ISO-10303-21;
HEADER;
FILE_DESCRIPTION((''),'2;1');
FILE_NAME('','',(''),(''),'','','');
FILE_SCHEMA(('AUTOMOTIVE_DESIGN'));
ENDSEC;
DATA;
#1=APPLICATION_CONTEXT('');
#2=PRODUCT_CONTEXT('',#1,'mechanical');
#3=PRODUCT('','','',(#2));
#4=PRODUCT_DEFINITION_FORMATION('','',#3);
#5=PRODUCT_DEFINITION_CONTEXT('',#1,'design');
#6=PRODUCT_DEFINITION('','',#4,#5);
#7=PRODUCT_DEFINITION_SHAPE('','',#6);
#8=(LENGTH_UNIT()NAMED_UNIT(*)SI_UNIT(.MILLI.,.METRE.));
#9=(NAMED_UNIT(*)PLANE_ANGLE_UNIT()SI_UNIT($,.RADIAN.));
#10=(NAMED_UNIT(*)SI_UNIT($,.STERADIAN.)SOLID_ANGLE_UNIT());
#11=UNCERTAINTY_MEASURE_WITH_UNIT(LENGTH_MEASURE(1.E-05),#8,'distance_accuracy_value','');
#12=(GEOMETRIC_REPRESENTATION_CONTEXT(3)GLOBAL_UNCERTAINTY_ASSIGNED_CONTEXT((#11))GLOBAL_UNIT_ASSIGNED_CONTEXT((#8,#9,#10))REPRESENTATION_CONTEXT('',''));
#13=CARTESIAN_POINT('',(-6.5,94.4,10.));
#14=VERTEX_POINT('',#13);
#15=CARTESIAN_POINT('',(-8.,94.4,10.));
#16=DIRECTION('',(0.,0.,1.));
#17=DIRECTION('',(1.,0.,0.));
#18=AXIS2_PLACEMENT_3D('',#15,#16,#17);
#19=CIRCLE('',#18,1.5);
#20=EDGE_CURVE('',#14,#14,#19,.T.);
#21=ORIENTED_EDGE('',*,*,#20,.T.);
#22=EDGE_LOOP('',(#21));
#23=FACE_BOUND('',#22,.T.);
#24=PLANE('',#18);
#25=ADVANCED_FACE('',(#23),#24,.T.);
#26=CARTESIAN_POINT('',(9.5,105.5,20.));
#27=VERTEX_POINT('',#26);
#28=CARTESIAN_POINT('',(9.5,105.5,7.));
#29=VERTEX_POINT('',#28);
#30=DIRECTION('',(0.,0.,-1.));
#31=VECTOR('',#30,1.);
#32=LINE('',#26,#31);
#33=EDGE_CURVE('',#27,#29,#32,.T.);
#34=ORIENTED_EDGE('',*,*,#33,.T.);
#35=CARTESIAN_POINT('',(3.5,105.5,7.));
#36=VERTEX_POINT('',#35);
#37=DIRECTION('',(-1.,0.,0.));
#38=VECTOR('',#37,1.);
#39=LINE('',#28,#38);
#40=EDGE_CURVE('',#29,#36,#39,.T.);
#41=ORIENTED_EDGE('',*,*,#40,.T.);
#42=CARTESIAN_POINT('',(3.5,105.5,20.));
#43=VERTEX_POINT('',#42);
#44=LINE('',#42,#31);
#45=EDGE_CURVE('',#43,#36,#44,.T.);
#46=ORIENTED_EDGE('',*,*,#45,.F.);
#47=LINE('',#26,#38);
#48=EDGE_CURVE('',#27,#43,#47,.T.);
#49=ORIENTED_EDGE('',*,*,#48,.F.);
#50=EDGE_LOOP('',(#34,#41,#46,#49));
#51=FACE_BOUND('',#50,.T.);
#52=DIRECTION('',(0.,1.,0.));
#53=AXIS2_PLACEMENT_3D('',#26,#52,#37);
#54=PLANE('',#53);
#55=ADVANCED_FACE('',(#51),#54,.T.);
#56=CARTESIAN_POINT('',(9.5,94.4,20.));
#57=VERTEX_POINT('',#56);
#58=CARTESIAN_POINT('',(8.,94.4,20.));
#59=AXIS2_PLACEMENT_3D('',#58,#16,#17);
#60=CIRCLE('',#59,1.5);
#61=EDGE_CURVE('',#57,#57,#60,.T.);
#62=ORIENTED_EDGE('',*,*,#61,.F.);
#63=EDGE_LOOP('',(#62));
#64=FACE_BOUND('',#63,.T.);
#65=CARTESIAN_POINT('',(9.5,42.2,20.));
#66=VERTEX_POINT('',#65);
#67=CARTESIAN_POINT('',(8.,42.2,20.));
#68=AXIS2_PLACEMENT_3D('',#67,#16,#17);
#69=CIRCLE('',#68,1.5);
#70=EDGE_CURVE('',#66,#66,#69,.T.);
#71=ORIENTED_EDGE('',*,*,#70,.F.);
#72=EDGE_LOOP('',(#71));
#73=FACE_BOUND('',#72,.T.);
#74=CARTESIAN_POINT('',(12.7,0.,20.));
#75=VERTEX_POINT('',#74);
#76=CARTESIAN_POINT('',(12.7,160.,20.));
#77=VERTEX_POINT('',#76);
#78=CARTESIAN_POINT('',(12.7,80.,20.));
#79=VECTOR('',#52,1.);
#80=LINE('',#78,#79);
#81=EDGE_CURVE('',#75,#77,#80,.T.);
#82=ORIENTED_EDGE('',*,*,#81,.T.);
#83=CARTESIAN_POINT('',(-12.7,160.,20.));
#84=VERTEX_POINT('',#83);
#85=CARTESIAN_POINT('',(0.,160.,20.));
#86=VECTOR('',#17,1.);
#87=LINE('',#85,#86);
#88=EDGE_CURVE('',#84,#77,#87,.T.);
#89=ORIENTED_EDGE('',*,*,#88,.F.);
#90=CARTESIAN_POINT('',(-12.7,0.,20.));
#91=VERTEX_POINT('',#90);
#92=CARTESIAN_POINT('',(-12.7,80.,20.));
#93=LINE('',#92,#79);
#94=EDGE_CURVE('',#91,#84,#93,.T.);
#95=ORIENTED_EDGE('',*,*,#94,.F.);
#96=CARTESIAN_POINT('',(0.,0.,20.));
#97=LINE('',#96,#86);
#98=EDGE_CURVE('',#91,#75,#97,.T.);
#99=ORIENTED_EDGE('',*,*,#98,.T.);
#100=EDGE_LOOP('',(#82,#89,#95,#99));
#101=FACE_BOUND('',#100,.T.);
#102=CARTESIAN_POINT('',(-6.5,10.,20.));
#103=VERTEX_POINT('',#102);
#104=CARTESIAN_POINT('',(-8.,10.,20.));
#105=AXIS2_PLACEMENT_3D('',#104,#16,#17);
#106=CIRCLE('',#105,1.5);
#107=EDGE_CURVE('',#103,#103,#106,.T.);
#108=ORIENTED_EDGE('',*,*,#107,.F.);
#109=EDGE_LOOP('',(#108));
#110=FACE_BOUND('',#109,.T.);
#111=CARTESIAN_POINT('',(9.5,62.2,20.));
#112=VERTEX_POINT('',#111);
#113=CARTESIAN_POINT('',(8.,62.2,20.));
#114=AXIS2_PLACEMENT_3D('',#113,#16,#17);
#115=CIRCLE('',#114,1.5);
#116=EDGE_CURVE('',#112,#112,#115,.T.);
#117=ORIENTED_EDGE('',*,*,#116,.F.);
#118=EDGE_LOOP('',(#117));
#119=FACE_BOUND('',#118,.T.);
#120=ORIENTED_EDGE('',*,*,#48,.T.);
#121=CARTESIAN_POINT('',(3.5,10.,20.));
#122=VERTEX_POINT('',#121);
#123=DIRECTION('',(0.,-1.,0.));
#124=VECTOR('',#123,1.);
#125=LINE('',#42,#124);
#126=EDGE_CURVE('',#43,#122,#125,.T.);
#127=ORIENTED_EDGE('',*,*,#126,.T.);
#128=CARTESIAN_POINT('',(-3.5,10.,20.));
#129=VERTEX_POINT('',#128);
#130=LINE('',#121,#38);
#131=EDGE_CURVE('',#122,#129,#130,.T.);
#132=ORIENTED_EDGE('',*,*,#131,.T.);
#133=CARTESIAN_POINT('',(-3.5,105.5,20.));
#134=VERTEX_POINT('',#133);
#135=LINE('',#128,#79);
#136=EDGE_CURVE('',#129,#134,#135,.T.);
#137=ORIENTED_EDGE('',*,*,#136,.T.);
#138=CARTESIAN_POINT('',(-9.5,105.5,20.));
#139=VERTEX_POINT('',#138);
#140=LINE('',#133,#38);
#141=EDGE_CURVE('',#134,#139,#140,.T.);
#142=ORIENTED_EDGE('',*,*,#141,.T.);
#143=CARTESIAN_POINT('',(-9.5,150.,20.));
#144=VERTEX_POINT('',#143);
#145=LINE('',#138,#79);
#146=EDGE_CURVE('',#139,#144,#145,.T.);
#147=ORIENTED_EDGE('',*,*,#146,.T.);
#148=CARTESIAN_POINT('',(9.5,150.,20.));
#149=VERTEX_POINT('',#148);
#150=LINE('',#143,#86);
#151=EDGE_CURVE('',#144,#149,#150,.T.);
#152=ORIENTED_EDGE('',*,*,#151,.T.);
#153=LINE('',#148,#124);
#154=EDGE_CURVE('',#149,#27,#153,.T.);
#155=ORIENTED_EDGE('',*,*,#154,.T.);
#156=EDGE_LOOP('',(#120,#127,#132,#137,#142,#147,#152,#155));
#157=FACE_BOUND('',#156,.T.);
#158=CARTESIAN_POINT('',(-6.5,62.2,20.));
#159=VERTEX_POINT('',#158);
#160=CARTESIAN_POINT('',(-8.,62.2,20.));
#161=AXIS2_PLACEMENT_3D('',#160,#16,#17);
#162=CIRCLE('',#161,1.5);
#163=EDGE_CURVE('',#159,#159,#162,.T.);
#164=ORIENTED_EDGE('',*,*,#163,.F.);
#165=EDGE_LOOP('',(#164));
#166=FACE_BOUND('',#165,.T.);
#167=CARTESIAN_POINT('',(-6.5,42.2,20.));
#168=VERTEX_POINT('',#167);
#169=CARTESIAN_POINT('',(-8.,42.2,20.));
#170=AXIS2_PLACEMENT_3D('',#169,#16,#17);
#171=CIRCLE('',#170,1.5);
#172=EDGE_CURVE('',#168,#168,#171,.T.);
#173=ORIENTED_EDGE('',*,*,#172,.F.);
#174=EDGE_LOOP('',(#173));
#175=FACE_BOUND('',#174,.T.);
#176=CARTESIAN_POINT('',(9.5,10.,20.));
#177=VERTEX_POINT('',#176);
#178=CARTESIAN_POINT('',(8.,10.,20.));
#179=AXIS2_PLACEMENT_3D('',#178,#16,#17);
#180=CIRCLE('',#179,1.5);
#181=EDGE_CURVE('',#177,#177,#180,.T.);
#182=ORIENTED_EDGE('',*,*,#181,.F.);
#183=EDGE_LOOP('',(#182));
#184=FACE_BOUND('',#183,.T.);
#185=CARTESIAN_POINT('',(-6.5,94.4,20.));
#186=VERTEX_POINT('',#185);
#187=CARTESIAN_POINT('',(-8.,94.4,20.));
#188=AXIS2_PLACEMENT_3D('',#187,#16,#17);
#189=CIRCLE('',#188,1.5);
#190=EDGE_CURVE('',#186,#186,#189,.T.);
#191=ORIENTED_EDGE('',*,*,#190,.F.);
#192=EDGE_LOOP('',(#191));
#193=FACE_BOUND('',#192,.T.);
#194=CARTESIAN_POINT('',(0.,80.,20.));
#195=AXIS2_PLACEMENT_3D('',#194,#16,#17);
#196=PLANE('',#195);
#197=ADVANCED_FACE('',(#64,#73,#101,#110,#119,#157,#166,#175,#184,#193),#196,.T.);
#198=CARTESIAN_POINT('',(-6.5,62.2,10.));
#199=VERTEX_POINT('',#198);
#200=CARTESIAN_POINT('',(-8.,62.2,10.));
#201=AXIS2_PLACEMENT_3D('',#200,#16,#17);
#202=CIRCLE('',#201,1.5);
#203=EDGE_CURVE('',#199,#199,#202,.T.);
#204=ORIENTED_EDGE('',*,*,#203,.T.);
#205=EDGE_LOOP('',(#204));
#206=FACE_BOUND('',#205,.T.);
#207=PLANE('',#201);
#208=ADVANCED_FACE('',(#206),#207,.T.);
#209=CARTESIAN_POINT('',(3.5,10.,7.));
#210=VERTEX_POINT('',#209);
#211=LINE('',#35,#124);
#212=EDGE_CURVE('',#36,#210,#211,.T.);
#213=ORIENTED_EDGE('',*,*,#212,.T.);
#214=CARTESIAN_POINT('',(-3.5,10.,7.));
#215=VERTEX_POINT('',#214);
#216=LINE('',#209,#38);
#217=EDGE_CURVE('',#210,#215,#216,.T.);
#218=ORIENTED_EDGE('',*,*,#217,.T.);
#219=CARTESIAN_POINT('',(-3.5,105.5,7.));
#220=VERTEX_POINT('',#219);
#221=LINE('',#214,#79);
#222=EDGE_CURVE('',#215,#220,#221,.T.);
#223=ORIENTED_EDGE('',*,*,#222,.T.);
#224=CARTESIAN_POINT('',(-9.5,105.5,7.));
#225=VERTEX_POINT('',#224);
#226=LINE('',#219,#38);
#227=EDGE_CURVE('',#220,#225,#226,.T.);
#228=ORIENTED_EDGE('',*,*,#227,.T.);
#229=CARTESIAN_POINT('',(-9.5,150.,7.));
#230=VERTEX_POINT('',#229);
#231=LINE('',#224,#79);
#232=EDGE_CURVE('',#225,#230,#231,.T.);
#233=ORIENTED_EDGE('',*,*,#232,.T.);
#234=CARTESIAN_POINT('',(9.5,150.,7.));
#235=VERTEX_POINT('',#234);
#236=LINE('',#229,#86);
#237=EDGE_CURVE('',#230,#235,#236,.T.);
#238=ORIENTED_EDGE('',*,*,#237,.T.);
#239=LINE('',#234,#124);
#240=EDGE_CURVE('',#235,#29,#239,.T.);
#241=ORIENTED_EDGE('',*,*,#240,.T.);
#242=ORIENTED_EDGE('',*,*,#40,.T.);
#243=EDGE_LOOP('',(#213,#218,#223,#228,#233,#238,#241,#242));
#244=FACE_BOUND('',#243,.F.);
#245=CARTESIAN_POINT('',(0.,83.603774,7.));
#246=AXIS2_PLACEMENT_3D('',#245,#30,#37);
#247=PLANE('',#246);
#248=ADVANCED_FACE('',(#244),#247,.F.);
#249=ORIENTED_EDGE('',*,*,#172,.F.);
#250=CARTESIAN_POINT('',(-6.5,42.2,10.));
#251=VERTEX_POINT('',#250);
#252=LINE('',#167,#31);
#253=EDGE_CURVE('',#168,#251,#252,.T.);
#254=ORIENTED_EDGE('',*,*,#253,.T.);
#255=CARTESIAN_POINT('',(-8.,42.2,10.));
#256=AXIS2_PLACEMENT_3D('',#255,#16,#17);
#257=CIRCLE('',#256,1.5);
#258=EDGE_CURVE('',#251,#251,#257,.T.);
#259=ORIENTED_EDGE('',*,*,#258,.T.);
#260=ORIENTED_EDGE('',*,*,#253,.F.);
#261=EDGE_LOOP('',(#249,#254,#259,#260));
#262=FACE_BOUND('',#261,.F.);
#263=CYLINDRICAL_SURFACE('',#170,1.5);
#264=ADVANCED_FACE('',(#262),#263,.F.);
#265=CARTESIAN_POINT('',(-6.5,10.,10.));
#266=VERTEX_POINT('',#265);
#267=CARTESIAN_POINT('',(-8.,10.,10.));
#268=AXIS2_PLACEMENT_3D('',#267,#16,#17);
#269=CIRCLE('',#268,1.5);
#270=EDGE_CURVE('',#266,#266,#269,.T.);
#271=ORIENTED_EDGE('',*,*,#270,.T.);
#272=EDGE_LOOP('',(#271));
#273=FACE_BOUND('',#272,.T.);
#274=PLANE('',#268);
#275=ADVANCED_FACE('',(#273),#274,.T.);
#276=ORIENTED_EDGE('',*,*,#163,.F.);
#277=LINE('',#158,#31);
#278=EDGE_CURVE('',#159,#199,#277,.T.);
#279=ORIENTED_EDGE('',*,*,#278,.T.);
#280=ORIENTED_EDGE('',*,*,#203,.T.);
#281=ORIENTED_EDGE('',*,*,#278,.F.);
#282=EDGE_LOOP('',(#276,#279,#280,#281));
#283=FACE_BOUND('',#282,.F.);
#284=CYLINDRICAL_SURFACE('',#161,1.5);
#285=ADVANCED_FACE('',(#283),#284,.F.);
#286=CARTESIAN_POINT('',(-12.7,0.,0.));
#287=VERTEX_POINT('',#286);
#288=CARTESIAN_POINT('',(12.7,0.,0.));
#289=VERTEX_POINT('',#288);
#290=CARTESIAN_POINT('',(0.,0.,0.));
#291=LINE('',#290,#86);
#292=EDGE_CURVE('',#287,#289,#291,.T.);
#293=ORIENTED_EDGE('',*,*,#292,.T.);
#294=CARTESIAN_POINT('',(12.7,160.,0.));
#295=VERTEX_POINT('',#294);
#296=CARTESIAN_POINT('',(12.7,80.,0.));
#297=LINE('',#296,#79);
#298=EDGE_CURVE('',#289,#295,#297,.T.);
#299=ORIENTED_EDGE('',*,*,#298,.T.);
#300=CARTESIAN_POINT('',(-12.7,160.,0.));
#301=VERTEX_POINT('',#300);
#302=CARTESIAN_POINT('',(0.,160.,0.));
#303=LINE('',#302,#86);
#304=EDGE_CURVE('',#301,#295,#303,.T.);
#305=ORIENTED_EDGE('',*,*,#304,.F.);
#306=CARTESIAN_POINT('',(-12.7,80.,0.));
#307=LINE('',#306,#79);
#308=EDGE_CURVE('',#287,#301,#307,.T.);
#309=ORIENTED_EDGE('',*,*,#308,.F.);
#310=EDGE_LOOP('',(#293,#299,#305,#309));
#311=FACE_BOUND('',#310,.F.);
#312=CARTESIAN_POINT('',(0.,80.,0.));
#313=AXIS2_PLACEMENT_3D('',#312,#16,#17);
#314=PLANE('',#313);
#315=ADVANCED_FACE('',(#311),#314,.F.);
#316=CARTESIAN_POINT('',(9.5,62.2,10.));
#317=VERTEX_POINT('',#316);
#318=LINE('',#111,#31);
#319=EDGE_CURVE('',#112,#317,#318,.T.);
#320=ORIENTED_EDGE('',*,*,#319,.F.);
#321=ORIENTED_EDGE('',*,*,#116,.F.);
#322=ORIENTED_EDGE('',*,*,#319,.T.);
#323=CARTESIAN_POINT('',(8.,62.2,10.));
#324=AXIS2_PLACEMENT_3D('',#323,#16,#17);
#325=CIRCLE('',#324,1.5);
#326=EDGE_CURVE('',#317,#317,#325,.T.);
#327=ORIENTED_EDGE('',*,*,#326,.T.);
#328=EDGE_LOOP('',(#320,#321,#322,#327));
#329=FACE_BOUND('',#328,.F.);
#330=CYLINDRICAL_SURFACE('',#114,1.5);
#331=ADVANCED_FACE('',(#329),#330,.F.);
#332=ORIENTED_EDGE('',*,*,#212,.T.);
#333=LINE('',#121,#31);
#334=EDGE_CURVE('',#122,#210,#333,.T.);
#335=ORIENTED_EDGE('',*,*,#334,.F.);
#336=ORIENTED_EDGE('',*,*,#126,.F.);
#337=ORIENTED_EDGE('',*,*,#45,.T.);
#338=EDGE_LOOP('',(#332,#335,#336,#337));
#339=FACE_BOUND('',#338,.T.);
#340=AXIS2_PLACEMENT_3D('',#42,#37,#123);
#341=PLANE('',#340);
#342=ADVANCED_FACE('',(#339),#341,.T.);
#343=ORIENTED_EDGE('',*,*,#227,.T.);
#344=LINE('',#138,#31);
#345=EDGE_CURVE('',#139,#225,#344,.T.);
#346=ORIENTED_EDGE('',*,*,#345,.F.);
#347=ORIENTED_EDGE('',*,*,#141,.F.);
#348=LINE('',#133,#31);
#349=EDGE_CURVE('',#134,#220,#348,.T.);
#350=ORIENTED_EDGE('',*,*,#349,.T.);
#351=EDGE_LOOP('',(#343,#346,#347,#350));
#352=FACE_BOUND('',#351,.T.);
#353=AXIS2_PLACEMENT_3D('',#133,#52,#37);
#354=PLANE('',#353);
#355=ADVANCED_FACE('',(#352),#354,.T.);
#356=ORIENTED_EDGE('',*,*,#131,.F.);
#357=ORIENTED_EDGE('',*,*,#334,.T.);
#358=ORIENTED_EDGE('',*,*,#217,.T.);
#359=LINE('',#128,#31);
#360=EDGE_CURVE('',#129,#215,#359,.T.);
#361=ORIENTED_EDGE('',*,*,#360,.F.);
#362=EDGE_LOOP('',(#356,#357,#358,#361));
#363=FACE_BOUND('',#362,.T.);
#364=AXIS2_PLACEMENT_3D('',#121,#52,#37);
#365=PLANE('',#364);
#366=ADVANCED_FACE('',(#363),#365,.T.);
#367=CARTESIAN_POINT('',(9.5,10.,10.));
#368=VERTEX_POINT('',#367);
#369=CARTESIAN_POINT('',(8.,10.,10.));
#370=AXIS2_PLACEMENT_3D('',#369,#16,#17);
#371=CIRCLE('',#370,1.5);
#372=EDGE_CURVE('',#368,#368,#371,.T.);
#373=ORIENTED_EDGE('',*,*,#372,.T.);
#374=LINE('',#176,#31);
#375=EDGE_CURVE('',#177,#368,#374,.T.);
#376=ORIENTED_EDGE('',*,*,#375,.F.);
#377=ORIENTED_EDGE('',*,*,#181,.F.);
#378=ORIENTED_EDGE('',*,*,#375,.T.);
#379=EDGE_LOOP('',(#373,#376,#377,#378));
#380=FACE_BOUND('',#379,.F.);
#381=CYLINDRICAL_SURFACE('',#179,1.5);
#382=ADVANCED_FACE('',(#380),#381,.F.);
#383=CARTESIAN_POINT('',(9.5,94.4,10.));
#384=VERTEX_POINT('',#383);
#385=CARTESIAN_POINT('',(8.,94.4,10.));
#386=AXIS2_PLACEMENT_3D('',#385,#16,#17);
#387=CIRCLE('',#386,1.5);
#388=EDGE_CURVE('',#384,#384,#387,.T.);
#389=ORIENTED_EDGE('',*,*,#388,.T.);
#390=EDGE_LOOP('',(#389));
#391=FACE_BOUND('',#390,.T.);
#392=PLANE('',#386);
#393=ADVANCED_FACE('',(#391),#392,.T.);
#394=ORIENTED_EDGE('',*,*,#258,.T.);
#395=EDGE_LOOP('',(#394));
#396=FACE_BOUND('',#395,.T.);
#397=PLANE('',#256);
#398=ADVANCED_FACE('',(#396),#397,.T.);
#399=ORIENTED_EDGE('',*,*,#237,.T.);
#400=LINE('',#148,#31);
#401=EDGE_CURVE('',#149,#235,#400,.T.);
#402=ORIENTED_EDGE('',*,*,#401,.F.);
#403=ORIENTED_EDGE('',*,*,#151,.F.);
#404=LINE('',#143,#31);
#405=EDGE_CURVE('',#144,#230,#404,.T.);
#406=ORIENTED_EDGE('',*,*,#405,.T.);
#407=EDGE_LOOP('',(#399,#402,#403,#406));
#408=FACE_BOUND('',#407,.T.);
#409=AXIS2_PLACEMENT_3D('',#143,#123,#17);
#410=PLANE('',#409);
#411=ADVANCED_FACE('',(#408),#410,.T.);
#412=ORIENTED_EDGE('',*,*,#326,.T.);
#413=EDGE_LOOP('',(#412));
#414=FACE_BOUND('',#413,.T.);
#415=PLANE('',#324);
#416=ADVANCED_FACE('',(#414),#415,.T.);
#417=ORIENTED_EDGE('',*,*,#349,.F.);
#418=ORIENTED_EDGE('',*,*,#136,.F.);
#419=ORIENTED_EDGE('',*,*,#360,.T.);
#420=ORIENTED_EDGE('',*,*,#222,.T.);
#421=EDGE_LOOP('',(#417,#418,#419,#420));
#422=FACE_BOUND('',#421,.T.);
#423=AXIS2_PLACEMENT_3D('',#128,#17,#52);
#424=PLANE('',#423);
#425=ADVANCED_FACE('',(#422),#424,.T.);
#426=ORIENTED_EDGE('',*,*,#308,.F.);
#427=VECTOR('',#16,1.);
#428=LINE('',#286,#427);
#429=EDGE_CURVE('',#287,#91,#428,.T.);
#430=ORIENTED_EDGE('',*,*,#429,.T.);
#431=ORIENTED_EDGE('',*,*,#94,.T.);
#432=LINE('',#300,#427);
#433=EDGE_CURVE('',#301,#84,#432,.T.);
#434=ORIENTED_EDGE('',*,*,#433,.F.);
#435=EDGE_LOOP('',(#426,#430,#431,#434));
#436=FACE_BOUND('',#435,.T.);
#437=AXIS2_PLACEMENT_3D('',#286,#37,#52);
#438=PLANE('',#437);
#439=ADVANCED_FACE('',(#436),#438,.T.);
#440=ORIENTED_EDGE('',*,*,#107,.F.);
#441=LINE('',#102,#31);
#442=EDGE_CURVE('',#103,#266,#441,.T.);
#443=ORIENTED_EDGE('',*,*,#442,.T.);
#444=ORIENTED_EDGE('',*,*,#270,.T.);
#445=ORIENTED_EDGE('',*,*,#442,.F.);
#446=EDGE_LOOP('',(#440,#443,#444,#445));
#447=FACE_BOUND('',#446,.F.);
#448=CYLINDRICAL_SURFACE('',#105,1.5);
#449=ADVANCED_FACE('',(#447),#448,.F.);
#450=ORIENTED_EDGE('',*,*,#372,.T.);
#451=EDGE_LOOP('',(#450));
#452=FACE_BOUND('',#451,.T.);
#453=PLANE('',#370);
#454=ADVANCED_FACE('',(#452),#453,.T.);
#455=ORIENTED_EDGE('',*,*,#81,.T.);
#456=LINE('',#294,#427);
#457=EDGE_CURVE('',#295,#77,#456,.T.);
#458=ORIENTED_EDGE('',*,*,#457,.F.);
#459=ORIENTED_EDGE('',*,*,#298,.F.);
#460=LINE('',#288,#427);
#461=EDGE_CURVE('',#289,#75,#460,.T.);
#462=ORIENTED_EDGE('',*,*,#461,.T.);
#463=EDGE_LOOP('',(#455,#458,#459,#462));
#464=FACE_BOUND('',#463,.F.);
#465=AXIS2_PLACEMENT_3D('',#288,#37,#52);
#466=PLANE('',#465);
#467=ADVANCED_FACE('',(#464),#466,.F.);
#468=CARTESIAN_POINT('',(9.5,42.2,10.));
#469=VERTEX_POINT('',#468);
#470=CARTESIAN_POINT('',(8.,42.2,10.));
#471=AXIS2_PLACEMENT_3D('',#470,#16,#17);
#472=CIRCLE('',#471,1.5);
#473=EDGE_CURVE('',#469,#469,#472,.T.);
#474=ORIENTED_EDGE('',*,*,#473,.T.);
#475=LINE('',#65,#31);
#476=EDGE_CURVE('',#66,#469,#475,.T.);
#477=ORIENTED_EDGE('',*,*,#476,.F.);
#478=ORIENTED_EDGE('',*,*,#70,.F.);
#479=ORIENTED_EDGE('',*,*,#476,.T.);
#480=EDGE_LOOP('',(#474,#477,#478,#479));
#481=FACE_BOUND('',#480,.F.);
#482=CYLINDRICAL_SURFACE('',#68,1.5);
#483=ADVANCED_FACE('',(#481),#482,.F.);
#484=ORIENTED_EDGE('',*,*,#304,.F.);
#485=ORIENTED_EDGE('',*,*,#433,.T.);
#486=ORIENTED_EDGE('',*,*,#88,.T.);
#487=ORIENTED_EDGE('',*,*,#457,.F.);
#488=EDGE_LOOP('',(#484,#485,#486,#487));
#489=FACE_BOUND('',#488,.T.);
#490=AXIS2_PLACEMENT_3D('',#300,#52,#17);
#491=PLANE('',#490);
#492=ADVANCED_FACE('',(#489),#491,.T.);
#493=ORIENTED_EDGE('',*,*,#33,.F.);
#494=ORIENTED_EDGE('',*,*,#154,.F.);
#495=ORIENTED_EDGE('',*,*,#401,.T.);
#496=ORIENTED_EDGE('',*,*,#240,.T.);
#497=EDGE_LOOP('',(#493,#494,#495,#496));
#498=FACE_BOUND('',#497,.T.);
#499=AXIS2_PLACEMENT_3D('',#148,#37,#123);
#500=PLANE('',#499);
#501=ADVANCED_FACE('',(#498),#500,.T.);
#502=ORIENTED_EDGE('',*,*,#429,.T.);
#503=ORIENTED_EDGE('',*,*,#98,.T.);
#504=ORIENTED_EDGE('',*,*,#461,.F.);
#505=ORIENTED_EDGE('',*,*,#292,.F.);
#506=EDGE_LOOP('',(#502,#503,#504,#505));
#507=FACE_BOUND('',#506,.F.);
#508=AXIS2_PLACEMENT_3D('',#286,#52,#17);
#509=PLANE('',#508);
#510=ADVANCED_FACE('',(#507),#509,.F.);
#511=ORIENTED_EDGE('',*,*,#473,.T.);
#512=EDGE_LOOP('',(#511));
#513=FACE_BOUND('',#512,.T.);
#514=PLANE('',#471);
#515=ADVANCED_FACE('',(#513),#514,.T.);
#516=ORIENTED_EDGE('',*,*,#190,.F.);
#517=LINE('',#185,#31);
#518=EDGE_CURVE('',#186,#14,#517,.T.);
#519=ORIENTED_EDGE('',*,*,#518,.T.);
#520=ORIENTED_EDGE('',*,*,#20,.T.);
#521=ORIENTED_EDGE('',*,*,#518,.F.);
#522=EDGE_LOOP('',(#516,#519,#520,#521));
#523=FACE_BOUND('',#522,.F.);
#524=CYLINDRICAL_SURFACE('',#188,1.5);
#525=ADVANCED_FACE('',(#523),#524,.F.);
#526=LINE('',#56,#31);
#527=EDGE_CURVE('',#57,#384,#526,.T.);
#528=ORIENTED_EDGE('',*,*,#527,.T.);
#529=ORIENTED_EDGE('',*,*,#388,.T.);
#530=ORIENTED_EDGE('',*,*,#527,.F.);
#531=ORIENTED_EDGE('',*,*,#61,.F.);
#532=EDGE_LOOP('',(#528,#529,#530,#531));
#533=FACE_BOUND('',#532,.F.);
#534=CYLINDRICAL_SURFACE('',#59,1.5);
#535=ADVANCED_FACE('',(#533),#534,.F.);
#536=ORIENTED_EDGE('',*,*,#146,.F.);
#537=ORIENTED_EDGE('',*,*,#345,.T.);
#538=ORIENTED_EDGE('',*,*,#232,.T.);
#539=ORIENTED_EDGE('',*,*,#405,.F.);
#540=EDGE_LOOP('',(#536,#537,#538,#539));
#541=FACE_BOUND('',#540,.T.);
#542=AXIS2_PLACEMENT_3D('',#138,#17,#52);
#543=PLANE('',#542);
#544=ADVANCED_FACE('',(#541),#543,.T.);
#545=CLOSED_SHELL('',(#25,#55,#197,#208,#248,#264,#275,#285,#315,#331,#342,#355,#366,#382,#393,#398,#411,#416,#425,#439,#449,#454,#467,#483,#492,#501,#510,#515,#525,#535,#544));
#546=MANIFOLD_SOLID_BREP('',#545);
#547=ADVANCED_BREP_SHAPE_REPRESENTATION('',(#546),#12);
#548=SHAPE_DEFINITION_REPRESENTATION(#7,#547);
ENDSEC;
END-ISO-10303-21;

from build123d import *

# Parameters (mm, degrees)
SKETCH_W        = 25.4
SKETCH_H        = 160
PAD_DEPTH       = 20
POCKET_DEPTH    = 13
SKETCH002_R     = 1.5
POCKET001_DEPTH = 10


with BuildPart() as part:
    # Sketch → Pad (new body)
    with BuildSketch(Plane.XY):
        with Locations((0, 80)):
            Rectangle(SKETCH_W, SKETCH_H)
    extrude(amount=PAD_DEPTH)

    # Sketch001 (on Face6 of Pad) → Pocket (cut)
    with BuildSketch(Plane.XY.offset(20)):
        Polygon((-9.5, 150), (9.5, 150), (9.5, 105.5), (3.5, 105.5), (3.5, 10), (-3.5, 10), (-3.5, 105.5), (-9.5, 105.5), align=None)
    extrude(amount=-POCKET_DEPTH, mode=Mode.SUBTRACT)

    # Sketch002 (on Face5 of Pocket) → Pocket001 (cut)
    with BuildSketch(Plane.XY.offset(20)):
        with Locations((-8, 94.4)):
            Circle(SKETCH002_R)
        with Locations((-8, 62.2)):
            Circle(SKETCH002_R)
        with Locations((8, 94.4)):
            Circle(SKETCH002_R)
        with Locations((8, 62.2)):
            Circle(SKETCH002_R)
        with Locations((-8, 42.2)):
            Circle(SKETCH002_R)
        with Locations((-8, 10)):
            Circle(SKETCH002_R)
        with Locations((8, 42.2)):
            Circle(SKETCH002_R)
        with Locations((8, 10)):
            Circle(SKETCH002_R)
    extrude(amount=-POCKET001_DEPTH, mode=Mode.SUBTRACT)


solid = part.part
